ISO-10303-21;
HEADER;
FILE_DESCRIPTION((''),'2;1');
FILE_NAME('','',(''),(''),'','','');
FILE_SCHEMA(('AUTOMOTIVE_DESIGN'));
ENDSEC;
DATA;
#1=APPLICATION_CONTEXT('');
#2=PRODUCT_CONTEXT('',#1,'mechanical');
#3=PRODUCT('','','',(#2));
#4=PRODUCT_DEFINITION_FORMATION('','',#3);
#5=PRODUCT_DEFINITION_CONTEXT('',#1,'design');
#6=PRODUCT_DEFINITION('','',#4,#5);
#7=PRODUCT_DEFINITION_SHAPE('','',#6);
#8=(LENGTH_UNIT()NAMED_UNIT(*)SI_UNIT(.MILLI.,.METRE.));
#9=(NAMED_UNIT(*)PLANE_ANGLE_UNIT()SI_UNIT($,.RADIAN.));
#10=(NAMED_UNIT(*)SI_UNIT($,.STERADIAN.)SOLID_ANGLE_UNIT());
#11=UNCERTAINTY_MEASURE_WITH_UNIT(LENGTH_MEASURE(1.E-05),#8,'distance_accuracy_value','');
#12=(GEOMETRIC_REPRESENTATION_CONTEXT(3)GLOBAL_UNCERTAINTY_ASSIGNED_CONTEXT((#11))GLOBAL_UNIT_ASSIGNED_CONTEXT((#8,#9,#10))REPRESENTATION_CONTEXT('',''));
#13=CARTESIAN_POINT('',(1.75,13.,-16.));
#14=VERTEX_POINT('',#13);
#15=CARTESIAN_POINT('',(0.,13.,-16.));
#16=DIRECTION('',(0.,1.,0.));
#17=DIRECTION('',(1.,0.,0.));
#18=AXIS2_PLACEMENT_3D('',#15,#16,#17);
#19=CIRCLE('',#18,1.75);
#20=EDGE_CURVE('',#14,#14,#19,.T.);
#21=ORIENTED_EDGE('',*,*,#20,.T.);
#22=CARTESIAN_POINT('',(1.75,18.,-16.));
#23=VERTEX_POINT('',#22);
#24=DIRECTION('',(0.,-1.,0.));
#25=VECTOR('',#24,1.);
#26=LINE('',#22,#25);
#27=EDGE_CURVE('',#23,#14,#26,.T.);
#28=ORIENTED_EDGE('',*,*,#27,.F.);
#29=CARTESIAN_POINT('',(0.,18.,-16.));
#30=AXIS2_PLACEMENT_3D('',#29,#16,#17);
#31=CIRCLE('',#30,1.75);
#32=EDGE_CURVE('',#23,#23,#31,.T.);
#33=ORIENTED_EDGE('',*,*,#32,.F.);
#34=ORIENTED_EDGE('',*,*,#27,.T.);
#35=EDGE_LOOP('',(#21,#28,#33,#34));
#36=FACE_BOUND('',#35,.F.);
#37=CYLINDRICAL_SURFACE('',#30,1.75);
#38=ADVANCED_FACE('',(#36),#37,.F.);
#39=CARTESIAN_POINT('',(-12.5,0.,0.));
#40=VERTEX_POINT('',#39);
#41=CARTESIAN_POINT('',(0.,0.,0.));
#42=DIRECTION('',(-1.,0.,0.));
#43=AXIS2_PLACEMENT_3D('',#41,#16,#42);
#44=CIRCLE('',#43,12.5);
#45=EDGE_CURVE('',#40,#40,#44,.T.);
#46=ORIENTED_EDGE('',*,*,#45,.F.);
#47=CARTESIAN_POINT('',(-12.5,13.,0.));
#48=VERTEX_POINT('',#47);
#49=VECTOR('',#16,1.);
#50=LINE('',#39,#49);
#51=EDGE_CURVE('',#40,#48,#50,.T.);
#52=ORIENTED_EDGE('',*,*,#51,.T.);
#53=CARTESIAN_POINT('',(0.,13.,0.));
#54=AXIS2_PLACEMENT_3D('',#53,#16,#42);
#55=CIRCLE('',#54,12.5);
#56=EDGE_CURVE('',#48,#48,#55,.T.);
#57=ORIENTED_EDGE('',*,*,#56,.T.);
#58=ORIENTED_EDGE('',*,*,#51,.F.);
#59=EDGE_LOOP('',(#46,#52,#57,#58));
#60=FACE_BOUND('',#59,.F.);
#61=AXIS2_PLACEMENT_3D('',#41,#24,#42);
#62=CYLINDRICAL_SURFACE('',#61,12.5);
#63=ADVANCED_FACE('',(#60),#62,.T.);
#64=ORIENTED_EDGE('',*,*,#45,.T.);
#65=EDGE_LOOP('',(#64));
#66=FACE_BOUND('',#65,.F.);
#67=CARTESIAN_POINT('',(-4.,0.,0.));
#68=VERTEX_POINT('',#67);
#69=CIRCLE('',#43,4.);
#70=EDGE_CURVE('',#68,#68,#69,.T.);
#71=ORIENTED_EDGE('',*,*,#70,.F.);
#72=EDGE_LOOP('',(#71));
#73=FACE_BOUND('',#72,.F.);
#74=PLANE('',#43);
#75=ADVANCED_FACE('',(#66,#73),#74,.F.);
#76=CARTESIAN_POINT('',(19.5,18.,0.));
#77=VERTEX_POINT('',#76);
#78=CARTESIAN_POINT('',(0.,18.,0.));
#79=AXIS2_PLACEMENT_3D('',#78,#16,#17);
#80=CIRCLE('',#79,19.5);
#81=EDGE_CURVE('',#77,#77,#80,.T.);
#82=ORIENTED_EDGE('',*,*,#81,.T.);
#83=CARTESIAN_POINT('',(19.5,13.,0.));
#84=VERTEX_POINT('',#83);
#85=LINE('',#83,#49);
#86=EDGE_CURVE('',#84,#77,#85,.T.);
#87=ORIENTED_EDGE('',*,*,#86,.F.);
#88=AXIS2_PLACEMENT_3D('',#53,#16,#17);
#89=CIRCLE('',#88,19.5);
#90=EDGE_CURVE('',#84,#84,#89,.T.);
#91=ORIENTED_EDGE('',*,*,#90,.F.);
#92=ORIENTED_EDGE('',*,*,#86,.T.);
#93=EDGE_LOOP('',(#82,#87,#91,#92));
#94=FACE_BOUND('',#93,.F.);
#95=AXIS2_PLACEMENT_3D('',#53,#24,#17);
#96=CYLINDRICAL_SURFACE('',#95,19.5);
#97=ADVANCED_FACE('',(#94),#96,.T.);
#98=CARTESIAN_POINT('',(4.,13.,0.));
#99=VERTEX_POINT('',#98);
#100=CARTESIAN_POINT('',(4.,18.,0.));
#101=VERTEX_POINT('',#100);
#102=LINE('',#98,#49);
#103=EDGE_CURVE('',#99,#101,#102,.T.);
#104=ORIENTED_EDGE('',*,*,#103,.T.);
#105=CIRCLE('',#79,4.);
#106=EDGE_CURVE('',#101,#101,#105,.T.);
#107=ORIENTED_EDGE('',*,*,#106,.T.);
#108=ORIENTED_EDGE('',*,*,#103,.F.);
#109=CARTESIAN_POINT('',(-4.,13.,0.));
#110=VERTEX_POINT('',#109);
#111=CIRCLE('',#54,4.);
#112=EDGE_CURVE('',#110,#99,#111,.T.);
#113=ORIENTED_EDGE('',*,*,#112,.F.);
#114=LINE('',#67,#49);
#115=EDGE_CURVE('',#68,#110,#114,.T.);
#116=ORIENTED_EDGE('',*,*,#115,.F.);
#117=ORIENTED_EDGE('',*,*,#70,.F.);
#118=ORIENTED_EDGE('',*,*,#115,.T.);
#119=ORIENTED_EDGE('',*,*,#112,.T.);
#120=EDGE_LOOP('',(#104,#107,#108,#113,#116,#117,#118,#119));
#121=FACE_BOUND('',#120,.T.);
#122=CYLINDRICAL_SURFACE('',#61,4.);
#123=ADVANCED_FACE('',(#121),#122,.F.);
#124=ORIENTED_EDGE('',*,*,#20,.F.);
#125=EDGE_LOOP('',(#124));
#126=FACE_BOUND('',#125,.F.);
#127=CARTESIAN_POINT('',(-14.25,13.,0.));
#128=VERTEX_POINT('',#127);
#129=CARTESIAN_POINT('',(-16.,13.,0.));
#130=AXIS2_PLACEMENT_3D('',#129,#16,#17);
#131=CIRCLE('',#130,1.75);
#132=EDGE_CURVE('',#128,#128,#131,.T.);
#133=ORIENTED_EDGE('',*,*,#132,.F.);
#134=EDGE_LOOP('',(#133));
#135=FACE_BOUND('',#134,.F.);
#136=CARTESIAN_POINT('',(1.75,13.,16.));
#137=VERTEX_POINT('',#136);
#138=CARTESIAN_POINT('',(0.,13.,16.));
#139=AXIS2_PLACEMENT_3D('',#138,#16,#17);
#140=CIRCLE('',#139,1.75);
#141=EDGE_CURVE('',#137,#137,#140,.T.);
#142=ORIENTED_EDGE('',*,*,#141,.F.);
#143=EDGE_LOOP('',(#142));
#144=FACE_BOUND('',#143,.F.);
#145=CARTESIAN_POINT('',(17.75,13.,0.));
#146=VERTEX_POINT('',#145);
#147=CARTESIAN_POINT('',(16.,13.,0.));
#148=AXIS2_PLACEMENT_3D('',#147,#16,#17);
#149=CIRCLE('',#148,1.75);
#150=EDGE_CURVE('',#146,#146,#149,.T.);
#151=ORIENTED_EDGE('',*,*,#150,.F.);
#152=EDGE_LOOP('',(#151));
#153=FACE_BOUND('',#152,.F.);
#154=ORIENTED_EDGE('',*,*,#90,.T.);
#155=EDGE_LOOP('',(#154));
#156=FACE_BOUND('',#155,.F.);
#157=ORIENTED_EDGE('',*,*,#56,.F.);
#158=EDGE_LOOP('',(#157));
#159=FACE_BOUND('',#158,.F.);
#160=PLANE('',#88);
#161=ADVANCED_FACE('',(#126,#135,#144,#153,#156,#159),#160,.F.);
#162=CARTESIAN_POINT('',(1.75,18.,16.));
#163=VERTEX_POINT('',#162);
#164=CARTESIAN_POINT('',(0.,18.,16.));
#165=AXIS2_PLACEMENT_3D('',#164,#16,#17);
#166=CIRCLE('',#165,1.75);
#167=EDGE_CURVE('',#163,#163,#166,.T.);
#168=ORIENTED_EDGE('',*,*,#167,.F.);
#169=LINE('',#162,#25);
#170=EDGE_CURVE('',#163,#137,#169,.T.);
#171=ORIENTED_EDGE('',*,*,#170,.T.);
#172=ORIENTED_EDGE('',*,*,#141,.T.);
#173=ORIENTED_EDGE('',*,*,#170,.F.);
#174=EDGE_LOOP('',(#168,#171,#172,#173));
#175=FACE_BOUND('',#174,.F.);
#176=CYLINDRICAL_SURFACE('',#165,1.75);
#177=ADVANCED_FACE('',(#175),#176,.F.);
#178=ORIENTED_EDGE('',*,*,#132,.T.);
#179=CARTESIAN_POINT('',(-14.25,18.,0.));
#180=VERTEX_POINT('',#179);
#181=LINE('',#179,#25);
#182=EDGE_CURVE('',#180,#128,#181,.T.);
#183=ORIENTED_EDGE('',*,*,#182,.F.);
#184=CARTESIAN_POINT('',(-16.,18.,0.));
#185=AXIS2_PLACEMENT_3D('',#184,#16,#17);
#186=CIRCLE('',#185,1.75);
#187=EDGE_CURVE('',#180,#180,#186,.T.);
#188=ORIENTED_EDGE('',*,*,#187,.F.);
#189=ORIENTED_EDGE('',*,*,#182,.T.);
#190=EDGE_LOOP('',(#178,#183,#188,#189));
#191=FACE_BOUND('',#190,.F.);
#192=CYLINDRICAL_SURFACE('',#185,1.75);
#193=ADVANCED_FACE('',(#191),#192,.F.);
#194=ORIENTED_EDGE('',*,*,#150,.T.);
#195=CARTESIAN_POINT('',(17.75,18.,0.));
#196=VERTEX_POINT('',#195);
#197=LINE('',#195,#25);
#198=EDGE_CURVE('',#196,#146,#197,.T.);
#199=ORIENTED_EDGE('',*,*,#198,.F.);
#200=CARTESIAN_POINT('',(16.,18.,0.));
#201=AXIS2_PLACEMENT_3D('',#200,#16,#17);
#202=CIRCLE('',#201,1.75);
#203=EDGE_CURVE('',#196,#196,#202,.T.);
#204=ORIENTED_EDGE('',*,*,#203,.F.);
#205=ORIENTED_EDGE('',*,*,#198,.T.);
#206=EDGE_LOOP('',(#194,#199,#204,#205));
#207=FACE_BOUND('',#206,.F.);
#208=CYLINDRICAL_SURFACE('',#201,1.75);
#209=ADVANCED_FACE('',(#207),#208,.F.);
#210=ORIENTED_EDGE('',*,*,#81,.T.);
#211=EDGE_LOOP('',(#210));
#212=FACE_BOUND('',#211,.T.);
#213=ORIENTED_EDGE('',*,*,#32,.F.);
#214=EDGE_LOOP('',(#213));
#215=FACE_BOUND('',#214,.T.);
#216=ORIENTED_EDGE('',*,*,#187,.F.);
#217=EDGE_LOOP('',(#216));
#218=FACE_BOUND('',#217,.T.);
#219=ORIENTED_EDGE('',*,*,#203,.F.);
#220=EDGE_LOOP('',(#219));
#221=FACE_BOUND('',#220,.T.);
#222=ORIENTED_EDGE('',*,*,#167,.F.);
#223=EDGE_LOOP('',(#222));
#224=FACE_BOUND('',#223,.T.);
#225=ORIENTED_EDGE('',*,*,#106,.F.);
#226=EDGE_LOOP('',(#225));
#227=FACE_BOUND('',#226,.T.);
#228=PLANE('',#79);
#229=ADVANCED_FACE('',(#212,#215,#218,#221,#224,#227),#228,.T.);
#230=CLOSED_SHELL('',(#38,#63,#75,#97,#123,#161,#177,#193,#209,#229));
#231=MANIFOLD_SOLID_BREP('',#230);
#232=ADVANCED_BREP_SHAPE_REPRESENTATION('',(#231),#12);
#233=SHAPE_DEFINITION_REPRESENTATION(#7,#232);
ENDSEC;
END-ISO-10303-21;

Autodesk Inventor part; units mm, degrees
ref_plane "YZ Plane" through (0, 0, 0) normal (1, 0, 0) x (0, 1, 0)
ref_plane "XZ Plane" through (0, 0, 0) normal (0, 1, 0) x (-1, 0, 0)
ref_plane "XY Plane" through (0, 0, 0) normal (0, 0, 1) x (1, 0, 0)
sketch "草圖1" plane through (0, 0, 0) normal (0, 1, 0) x (-1, 0, 0)
  circle A0 centre (0, 0) radius 4
  circle A1 centre (0, 0) radius 12.5
  dimension "d0" = 8
  dimension "d1" = 25
extrude "擠出1" add sketch "草圖1" along normal blind 13
sketch "草圖2" plane through (0, 13, 0) normal (0, 1, 0) x (1, 0, 0)
  circle A0 centre (0, 0) radius 19.5
  circle A1 centre (0, 0) radius 4 projected
  dimension "d4" = 39
extrude "擠出2" add sketch "草圖2" along normal blind 5
sketch "草圖3" plane through (0, 18, 0) normal (0, 1, 0) x (1, 0, 0)
  circle A0 centre (0, 0) radius 16 construction
  circle A1 centre (-16, 0) radius 1.75
  circle A2 centre (0, -16) radius 1.75
  circle A3 centre (16, 0) radius 1.75
  circle A4 centre (0, 16) radius 1.75
  dimension "d7" = 32
  dimension "d8" = 3.5
  dimension "d11" = 360
extrude "擠出3" cut sketch "草圖3" against normal blind 5
properties part number "8 mm hub"
